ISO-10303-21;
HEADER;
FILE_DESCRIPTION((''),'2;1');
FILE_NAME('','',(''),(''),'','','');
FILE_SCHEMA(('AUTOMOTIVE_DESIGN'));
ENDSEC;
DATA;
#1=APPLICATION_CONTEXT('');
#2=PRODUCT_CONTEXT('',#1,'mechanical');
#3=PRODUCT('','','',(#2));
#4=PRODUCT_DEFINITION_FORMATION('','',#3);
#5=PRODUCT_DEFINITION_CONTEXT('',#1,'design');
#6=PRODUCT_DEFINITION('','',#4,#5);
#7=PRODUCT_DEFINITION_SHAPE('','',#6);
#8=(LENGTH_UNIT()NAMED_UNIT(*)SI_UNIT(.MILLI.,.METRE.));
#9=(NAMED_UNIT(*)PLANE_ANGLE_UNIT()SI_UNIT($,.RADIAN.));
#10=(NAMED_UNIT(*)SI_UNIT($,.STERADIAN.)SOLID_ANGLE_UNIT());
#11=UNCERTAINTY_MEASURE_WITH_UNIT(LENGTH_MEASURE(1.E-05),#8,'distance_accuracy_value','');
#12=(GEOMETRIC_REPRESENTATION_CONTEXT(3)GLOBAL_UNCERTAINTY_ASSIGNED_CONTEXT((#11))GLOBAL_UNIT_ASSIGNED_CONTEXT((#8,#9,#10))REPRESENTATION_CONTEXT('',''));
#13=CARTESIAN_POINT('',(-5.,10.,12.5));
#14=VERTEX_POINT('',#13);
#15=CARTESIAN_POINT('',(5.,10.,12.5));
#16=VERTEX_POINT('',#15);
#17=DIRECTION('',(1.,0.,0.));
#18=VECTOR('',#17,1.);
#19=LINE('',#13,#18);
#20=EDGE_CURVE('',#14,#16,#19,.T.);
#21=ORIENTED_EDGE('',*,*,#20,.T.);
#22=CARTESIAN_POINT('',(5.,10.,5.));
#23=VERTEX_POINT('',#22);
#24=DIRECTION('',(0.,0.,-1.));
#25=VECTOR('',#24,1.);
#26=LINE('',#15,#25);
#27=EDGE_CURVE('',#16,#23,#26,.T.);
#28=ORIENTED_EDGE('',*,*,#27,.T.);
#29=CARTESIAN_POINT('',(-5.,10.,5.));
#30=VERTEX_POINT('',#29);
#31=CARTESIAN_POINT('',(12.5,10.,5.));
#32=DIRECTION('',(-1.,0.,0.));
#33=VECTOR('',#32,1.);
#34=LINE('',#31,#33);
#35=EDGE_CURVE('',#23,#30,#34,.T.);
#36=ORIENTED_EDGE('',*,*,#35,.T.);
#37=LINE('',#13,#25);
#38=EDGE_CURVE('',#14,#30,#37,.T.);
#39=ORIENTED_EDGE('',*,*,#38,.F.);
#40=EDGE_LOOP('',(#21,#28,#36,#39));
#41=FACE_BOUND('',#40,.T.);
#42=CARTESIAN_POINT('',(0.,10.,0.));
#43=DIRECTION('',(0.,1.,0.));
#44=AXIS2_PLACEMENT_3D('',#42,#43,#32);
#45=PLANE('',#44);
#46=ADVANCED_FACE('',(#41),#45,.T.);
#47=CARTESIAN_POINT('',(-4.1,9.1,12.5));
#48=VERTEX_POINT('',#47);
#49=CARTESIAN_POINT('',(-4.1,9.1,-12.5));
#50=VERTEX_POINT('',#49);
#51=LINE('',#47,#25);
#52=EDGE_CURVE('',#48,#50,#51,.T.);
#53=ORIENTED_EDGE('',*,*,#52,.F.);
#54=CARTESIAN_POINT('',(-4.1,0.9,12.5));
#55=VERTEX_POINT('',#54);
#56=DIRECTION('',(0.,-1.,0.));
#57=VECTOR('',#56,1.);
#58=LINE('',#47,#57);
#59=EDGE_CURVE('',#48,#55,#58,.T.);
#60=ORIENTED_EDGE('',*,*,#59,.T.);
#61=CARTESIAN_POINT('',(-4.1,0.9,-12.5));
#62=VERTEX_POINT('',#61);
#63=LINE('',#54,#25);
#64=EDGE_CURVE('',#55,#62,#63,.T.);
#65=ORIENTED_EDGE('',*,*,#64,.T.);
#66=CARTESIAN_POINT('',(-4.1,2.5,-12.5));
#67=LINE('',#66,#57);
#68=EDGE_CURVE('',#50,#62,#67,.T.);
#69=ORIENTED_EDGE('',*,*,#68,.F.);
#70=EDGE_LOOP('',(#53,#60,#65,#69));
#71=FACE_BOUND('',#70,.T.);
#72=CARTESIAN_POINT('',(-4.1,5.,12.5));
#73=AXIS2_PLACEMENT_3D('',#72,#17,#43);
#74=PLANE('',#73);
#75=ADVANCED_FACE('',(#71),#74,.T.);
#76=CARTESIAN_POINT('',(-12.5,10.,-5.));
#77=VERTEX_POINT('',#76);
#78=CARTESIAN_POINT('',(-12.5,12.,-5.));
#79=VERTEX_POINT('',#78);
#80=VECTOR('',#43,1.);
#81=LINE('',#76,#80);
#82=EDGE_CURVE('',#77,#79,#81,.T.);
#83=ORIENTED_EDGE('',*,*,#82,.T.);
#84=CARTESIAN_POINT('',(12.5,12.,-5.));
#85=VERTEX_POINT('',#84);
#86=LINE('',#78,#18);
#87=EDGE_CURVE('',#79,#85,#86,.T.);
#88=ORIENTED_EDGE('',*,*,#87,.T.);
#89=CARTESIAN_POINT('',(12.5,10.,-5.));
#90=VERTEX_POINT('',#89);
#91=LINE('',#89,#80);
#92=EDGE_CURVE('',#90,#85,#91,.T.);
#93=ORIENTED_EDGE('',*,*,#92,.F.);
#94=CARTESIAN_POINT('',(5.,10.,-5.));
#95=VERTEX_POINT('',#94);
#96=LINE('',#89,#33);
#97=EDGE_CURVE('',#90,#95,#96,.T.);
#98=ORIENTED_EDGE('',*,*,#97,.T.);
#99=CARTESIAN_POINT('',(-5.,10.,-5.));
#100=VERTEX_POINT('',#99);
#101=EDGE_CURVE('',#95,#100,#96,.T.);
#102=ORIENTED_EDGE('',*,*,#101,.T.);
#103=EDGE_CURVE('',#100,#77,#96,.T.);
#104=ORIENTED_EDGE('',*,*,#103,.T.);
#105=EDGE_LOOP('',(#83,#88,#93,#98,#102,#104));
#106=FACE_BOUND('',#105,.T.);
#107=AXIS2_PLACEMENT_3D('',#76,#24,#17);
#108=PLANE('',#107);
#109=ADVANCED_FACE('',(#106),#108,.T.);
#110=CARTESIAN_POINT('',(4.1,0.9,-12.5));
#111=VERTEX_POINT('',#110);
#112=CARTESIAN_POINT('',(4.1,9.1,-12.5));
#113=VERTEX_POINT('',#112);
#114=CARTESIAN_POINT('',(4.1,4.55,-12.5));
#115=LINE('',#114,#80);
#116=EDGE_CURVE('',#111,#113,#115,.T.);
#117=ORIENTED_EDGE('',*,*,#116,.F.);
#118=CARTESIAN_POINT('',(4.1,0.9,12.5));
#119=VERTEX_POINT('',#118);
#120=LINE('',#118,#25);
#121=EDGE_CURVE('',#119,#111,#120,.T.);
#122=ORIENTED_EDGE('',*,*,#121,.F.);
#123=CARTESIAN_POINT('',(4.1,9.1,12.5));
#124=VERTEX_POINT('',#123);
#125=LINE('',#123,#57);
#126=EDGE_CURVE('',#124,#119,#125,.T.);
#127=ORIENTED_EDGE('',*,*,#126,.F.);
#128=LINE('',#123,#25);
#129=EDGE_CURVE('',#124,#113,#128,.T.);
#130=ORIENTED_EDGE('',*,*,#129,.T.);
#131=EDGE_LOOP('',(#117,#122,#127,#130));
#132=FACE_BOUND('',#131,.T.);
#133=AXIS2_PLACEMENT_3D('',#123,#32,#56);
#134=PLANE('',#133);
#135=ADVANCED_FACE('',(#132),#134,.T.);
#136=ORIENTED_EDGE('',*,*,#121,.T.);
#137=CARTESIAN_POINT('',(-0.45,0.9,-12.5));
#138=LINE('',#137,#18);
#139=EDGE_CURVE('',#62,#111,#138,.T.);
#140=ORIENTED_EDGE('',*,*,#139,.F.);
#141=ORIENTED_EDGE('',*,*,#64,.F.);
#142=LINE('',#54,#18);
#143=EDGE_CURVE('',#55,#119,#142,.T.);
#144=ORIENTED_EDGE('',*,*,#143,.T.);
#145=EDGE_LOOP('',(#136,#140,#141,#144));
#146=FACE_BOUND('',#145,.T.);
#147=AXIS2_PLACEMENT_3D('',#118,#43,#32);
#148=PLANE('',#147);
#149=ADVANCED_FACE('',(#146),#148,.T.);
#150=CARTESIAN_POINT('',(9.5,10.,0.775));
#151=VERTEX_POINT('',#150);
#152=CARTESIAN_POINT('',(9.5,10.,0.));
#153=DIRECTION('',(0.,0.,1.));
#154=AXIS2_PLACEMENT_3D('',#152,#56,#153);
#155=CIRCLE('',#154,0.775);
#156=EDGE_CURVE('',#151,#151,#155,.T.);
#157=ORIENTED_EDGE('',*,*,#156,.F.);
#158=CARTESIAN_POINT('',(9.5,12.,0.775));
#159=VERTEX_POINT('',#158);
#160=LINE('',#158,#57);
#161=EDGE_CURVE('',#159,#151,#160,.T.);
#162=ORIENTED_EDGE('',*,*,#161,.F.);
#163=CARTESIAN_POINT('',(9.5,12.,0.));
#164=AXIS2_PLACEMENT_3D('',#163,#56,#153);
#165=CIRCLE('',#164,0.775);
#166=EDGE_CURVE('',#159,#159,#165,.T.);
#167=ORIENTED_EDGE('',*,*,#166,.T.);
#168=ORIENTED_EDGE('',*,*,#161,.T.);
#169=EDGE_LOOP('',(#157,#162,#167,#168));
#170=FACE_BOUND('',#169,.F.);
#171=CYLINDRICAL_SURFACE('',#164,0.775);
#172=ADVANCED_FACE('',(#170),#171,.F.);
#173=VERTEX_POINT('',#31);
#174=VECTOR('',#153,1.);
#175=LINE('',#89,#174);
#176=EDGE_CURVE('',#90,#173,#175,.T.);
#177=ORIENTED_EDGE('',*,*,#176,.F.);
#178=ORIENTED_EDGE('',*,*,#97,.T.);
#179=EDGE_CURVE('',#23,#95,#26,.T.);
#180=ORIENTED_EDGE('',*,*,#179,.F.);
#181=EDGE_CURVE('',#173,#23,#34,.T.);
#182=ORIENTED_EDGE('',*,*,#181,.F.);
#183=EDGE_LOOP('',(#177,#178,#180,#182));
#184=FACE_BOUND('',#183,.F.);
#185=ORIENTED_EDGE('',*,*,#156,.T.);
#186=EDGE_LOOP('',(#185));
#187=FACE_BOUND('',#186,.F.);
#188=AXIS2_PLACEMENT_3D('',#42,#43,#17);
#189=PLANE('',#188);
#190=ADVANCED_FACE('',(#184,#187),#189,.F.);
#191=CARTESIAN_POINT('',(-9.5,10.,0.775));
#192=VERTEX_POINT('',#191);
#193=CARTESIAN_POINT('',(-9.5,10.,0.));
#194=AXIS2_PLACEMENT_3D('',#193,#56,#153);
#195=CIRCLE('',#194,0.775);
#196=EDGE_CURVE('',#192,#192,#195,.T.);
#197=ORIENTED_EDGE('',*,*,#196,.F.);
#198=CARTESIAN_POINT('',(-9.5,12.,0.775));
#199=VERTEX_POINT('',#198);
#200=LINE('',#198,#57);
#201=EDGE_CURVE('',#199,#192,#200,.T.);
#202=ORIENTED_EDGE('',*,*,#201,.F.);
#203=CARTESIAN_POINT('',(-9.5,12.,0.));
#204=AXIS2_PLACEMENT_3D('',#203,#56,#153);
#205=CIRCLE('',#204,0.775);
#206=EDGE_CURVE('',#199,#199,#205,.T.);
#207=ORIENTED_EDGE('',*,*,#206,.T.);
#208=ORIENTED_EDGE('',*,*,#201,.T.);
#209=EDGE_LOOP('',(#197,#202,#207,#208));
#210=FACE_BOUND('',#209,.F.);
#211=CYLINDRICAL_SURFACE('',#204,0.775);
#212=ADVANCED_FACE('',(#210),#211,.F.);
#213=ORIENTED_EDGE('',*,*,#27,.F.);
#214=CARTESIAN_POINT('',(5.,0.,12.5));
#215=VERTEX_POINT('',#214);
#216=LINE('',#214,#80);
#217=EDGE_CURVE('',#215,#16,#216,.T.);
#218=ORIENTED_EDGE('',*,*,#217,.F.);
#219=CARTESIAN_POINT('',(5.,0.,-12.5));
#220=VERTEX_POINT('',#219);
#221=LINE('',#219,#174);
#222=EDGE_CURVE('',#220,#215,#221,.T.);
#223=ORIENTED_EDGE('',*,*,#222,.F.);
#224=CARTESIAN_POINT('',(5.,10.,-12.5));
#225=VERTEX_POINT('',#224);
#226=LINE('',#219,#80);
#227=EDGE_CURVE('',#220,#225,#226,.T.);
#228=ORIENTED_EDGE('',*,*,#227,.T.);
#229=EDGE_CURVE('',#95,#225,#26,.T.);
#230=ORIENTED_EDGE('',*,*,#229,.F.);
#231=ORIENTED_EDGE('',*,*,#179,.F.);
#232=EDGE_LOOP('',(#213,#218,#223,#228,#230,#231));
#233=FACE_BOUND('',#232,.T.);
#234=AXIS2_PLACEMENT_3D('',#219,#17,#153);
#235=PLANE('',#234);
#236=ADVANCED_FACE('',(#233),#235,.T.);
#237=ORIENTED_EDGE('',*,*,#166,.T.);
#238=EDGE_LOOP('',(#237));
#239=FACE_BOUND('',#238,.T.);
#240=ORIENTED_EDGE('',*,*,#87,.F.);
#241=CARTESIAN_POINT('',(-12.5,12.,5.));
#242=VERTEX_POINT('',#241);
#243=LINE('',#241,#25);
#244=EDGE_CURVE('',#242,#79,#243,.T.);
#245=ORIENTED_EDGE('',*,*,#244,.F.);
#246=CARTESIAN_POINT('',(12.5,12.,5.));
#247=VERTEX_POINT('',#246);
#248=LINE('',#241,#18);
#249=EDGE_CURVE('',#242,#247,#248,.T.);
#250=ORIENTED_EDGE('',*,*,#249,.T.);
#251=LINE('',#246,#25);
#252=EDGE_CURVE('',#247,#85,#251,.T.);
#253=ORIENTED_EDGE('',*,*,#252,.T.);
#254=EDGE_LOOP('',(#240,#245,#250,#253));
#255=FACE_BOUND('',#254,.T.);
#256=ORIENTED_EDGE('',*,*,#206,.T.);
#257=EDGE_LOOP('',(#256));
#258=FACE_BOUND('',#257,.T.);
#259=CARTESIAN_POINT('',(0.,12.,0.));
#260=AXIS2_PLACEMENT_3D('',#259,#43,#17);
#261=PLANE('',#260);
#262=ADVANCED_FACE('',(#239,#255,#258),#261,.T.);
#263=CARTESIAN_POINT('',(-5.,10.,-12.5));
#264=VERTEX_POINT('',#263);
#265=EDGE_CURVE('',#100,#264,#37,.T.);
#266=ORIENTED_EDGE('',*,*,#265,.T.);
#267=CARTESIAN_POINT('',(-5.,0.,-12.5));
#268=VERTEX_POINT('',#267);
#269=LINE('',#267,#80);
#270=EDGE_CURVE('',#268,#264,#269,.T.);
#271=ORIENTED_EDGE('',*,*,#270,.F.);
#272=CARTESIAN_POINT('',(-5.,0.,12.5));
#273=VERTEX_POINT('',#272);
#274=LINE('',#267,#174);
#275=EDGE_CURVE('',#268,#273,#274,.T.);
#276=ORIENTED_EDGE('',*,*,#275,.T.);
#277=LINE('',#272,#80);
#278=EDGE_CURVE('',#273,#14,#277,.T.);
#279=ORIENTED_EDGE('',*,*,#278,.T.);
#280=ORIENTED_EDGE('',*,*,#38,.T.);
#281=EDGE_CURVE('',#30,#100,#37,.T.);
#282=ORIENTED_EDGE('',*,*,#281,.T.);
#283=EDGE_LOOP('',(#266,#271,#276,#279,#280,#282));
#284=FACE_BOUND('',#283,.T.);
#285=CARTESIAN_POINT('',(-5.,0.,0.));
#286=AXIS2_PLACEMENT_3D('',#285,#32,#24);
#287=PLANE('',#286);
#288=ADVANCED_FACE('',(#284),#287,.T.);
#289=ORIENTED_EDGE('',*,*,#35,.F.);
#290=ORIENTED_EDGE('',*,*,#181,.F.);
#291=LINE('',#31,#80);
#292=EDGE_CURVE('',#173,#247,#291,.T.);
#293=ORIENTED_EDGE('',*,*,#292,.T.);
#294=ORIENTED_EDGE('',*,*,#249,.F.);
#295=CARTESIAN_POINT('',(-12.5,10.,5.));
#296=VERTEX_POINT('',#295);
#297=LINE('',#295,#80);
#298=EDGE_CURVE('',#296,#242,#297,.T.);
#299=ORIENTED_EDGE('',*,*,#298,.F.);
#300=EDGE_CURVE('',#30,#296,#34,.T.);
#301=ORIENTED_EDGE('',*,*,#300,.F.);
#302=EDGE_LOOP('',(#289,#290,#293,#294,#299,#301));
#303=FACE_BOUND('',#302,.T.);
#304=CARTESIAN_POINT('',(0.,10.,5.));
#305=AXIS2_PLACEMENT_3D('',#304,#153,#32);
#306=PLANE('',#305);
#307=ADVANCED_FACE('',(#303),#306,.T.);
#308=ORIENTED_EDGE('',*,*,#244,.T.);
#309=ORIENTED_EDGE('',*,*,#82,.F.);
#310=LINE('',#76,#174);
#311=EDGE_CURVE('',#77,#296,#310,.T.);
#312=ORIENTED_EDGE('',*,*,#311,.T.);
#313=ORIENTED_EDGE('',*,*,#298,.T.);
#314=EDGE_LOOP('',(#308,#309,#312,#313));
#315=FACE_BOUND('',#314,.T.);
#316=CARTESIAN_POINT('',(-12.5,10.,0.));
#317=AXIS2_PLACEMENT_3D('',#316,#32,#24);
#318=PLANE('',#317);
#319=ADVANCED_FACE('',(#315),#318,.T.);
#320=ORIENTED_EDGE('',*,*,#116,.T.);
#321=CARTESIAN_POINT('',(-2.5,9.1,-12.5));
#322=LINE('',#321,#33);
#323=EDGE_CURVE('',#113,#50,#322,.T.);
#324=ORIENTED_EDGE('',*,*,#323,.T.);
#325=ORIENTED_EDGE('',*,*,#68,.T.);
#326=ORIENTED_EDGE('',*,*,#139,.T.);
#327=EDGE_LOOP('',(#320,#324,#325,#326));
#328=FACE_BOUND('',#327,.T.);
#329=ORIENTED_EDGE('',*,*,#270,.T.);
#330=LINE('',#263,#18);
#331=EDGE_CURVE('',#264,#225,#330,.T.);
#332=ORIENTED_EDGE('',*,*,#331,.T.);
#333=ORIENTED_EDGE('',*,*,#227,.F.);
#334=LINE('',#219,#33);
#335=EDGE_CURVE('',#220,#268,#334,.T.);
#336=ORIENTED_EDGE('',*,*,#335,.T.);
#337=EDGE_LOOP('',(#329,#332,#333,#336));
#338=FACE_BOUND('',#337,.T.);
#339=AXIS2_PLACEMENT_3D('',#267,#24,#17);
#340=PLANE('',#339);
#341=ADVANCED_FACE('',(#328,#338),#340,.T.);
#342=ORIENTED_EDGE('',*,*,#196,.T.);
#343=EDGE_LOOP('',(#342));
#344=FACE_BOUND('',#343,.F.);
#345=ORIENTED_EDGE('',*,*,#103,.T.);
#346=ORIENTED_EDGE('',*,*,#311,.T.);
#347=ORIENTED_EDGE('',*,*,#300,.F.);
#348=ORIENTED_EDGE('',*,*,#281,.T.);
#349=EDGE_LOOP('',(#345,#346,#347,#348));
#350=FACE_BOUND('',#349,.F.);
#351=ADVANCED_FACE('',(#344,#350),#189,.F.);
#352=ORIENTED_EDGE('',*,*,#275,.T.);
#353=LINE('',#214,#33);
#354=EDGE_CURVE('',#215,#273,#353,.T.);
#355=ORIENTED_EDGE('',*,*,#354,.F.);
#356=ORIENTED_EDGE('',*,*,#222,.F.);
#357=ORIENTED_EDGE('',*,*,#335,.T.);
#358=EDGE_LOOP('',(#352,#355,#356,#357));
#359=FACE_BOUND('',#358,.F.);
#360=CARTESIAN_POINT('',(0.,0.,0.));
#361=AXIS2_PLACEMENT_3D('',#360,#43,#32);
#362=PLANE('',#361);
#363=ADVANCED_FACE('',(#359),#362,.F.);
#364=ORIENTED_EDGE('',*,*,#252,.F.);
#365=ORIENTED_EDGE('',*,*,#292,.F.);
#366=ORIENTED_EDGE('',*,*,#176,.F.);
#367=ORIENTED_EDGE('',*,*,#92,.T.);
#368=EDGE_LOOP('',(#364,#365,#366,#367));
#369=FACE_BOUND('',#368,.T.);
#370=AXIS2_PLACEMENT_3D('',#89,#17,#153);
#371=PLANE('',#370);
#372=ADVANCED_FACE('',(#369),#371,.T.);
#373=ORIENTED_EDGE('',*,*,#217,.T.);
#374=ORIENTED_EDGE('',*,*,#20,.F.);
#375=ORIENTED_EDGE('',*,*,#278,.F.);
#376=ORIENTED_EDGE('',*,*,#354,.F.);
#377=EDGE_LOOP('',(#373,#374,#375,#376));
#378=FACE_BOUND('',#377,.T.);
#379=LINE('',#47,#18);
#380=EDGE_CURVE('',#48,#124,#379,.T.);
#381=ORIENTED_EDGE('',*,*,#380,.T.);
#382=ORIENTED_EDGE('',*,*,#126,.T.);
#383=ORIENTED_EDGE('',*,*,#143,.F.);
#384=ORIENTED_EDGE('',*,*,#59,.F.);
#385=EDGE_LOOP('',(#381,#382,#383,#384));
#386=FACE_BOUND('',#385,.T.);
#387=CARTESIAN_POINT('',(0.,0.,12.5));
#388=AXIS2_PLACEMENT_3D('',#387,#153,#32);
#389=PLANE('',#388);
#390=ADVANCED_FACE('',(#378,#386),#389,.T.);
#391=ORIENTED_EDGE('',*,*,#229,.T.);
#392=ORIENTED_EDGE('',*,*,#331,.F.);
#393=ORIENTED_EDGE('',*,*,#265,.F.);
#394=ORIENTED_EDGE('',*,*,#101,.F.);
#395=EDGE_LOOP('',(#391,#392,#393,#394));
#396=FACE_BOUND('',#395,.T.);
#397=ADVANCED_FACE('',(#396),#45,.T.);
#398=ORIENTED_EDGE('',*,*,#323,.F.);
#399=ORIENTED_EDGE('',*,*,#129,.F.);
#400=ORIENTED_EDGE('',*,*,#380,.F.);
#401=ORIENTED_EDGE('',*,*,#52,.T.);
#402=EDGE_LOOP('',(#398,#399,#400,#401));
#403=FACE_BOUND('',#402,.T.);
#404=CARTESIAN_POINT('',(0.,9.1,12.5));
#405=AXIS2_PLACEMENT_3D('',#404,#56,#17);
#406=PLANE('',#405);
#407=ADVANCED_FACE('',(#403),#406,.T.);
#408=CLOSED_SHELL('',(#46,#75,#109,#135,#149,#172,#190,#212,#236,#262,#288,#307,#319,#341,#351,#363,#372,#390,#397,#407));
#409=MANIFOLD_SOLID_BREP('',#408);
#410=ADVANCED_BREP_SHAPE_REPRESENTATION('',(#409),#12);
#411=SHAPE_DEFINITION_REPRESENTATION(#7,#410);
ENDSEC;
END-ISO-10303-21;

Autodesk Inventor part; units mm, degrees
ref_plane "YZ Plane" through (0, 0, 0) normal (1, 0, 0) x (0, 1, 0)
ref_plane "XZ Plane" through (0, 0, 0) normal (0, 1, 0) x (-1, 0, 0)
ref_plane "XY Plane" through (0, 0, 0) normal (0, 0, 1) x (1, 0, 0)
sketch "Sketch1" plane through (0, 0, 0) normal (0, 1, 0) x (-1, 0, 0)
  line L0 (5, -12.5) -> (-5, -12.5)
  line L1 (-5, -12.5) -> (-5, 12.5)
  line L2 (-5, 12.5) -> (5, 12.5)
  line L3 (5, 12.5) -> (5, -12.5)
  line L4 (5, 0) -> (-5, 0)
  line L5 (0, -12.5) -> (0, 12.5)
  point P0 (0, 0)
  dimension "d1" = 10
  dimension "d2" = 25
extrude "Extrusion1" add sketch "Sketch1" along normal blind 10
sketch "Sketch2" plane through (-5, 0, 12.5) normal (0, 0, 1) x (1, 0, 0)
  line L0 (10, 0) -> (10, 10) projected
  line L1 (0, 0) -> (10, 0) projected
  line L2 (0, 0) -> (0, 10) projected
  line L3 (0, 10) -> (10, 10) projected
  line L4 (5, 10) -> (5, 0)
  line L5 (0.9, 9.1) -> (9.1, 9.1)
  line L6 (9.1, 9.1) -> (9.1, 0.9)
  line L7 (9.1, 0.9) -> (0.9, 0.9)
  line L8 (0.9, 0.9) -> (0.9, 9.1)
  line L9 (5, 9.1) -> (5, 0.9)
  line L10 (0, 5) -> (10, 5)
  line L11 (0.9, 5) -> (9.1, 5)
  line L12 (5, 9.1) -> (5, 0.9)
  point P0 (5, 5)
  point P1 (5, 5)
  dimension "d9" = 8.2
  dimension "d10" = 8.2
extrude "Extrusion2" cut sketch "Sketch2" against normal through all contours L10 L4 L5 L6 | L6 L7 L4 L10 | L7 L8 L10 L4 | L10 L8 L5 L4
sketch "Sketch5" plane through (0, 10, 0) normal (0, 1, 0) x (1, 0, 0)
  line L0 (-12.5, 5) -> (12.5, 5)
  line L1 (12.5, 5) -> (12.5, -5)
  line L2 (12.5, -5) -> (-12.5, -5)
  line L3 (-12.5, -5) -> (-12.5, 5)
  line L4 (-12.5, 0) -> (12.5, 0)
  line L5 (0, 5) -> (0, -5)
  point P0 (0, 0)
  dimension "d32" = 25
  dimension "d33" = 10
extrude "Extrusion4" add sketch "Sketch5" along normal blind 2
sketch "Sketch7" plane through (0, 12, 0) normal (0, 1, 0) x (1, 0, 0)
  line L0 (-12.5, 5) -> (-12.5, -5) projected
  line L1 (-12.5, 0) -> (12.5, 0)
  line L2 (12.5, -5) -> (12.5, 5) projected
  point P0 (0, 0)
  point P1 (-9.5, 0)
  point P2 (9.5, 0)
  dimension "d53" = 19
  dimension "d54" = 9.5
hole "Hole3" at (9.5, 12, 0) at (-9.5, 12, 0) direction (0, -1, 0) diameter 1.55 end through all
properties part number "Motor Mount"
